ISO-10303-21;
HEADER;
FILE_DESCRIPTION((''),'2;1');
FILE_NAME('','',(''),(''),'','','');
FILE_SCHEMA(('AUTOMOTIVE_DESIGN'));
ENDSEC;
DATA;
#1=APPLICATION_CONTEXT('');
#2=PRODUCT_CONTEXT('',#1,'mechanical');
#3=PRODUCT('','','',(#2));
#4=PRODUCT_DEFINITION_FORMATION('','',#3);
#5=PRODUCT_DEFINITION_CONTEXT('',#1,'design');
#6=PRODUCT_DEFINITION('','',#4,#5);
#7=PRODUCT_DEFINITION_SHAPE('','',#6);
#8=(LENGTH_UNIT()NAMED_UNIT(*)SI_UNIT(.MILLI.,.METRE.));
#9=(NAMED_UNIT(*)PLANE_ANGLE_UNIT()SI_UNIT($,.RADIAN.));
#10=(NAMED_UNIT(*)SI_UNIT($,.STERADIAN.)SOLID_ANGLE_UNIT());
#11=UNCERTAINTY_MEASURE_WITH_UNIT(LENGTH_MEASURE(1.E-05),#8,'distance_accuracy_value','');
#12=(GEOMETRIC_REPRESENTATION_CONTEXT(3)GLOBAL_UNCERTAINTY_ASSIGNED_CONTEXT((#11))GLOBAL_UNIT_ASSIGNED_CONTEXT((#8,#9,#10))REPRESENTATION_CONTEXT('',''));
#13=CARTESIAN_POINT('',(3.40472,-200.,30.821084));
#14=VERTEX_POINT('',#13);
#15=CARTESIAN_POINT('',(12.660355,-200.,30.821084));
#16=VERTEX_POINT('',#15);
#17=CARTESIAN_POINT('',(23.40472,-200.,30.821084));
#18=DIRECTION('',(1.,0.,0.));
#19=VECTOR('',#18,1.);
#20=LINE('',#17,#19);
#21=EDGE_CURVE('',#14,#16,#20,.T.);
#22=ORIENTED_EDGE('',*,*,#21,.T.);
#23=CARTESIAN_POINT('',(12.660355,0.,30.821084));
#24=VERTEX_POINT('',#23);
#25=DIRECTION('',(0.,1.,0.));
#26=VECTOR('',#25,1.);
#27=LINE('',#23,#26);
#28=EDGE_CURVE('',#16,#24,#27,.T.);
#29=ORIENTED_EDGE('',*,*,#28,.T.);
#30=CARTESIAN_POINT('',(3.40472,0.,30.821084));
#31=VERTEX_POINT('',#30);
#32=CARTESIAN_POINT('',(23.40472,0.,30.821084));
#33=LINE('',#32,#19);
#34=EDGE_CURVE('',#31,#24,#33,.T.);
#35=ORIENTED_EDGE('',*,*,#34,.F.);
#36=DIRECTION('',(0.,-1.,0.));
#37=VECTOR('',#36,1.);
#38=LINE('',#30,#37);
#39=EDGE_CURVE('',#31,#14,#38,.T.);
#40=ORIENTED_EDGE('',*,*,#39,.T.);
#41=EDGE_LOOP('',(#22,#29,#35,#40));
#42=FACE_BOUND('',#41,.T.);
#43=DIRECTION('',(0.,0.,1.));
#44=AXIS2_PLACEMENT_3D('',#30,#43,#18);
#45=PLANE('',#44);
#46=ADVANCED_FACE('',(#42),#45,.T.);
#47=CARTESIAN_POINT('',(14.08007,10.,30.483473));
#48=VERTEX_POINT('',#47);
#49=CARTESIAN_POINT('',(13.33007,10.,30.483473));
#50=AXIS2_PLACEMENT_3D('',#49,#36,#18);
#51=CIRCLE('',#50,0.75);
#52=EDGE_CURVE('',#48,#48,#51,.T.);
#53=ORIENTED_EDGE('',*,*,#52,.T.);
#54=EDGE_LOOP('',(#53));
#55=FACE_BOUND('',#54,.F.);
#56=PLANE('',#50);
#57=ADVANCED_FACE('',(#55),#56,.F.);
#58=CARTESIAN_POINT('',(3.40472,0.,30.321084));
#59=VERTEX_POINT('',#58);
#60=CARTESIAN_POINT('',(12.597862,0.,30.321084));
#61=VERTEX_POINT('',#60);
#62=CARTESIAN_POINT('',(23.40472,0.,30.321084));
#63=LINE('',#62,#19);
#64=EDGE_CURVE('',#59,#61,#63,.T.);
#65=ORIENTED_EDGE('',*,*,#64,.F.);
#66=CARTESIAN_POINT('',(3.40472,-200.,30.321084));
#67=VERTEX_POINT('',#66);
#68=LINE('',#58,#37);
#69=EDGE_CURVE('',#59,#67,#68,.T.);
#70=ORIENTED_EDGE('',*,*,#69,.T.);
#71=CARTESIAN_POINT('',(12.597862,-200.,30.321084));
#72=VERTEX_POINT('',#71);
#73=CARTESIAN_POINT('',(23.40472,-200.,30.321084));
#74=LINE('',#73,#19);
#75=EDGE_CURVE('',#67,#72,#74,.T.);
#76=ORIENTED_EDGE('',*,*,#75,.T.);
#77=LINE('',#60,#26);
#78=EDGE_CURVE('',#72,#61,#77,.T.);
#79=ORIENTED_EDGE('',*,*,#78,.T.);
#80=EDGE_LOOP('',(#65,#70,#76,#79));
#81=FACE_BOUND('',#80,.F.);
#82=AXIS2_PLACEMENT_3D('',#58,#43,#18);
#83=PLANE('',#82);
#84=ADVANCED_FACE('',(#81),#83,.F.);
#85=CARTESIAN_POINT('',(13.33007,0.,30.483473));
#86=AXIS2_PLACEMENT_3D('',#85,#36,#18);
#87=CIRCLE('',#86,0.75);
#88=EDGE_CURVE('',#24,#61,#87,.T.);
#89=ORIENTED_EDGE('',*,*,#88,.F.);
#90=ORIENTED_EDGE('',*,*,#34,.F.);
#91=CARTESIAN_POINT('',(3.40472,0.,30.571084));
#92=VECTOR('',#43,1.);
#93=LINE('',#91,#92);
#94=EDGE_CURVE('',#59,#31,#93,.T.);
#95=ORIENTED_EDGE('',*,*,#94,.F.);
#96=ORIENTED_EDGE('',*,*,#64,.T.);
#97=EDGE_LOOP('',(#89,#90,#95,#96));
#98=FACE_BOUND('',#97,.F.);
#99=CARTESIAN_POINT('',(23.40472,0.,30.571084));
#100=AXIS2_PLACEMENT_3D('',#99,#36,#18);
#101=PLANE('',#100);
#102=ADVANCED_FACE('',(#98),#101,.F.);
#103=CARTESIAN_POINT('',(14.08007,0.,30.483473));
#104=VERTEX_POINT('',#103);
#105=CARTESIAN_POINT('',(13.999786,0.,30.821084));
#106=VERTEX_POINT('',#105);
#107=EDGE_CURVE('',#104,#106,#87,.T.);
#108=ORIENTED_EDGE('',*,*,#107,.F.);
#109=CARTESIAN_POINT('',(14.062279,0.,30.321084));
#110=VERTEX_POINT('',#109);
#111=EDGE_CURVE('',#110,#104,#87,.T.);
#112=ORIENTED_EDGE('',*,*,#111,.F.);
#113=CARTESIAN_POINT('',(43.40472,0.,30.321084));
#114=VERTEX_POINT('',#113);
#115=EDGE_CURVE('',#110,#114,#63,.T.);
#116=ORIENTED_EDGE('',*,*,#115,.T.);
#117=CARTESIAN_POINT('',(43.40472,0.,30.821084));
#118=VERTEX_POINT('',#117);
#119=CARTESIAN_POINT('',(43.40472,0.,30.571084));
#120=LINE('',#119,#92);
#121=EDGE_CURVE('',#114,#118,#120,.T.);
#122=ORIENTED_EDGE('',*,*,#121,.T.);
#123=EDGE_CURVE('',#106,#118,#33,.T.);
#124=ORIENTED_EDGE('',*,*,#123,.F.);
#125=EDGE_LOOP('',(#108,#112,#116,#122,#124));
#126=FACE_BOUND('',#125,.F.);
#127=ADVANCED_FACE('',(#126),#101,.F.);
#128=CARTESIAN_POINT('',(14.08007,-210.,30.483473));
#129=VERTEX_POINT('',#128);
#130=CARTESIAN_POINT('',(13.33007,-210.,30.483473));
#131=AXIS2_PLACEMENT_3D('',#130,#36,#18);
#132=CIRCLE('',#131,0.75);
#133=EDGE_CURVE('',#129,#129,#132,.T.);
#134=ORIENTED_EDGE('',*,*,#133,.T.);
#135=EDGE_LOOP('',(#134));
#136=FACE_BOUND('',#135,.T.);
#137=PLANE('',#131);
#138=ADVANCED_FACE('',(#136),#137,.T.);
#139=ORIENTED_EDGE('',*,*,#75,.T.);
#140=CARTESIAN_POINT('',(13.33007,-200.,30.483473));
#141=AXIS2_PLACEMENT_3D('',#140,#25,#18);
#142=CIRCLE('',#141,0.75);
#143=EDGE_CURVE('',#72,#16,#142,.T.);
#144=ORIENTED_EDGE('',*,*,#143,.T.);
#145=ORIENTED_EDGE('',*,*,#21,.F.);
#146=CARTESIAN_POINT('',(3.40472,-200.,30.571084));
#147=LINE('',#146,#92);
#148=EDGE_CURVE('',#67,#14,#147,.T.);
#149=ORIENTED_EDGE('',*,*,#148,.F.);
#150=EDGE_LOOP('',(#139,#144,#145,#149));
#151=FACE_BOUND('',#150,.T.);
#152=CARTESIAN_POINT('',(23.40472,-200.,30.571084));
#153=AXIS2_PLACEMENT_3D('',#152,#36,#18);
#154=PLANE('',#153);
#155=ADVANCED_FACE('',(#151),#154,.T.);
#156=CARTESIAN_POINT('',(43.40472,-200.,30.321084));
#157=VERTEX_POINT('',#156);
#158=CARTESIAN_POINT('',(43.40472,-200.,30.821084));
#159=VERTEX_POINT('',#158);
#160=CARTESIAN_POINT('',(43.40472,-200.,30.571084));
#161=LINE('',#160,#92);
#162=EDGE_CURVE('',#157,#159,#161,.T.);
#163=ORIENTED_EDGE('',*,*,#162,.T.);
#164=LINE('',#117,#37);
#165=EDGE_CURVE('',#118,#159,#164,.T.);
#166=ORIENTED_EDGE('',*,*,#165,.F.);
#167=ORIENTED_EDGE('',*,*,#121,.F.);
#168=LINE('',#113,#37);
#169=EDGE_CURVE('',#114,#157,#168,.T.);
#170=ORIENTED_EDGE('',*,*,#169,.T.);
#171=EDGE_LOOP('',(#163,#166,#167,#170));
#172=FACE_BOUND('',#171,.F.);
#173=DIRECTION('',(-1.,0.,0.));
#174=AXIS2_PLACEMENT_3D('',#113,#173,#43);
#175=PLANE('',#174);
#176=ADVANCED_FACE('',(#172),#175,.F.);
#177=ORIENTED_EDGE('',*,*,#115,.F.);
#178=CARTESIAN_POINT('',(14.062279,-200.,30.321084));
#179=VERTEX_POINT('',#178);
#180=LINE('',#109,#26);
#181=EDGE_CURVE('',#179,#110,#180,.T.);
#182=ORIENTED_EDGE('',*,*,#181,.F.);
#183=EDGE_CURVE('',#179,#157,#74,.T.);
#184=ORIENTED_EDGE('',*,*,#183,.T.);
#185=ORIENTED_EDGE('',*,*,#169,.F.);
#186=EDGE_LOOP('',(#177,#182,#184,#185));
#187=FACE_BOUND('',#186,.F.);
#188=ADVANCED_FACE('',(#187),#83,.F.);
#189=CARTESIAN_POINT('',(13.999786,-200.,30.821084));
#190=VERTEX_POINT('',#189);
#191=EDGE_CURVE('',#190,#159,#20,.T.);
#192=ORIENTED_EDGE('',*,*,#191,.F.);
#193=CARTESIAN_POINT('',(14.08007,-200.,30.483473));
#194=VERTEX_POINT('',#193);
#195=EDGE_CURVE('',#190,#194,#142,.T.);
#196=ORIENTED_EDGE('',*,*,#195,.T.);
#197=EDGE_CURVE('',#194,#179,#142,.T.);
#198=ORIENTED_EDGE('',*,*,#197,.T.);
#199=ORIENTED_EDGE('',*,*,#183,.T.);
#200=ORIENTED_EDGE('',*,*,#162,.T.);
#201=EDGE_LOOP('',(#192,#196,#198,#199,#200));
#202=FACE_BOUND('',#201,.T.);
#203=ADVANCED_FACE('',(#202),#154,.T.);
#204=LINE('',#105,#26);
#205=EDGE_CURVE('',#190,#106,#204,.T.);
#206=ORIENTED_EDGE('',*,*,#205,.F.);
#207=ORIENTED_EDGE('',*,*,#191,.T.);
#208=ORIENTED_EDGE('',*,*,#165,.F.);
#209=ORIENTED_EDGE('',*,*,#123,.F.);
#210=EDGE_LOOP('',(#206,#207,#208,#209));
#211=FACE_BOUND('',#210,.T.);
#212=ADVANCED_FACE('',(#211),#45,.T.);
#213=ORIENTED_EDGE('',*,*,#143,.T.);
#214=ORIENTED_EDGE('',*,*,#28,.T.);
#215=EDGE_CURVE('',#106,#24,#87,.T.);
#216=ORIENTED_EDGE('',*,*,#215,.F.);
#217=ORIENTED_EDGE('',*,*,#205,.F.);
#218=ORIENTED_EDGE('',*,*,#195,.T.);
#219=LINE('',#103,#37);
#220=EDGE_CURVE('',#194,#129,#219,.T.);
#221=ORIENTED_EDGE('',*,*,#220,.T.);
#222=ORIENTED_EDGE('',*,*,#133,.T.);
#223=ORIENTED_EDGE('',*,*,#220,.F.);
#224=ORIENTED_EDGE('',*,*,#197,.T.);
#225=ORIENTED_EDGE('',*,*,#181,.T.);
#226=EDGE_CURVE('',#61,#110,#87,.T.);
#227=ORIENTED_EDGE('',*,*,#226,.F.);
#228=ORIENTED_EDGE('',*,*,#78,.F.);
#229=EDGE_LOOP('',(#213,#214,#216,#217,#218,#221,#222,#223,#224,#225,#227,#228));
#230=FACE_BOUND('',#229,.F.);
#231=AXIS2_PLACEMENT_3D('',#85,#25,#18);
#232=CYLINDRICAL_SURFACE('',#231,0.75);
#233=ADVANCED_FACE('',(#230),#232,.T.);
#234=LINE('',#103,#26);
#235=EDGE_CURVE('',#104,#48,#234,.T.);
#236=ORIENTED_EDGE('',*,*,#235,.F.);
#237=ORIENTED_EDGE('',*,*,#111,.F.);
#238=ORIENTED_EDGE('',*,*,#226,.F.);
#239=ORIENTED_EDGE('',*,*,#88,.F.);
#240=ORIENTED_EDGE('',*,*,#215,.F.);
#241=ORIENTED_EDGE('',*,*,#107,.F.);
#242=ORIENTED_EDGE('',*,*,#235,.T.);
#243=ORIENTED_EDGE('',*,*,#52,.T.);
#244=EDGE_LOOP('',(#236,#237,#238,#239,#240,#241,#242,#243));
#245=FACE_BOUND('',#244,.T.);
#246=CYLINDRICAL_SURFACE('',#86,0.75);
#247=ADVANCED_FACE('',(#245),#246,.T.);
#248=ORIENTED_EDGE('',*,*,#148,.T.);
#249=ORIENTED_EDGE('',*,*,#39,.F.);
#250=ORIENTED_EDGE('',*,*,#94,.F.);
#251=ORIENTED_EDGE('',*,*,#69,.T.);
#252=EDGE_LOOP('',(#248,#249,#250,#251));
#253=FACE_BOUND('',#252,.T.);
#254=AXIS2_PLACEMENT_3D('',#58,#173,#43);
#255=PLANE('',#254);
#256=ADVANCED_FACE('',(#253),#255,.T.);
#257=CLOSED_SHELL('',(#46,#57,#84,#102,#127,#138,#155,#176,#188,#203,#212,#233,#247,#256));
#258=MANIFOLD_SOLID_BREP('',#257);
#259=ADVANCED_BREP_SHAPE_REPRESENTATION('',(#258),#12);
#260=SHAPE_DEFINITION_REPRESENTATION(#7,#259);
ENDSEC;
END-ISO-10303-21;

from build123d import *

# Parameters (mm, degrees)
F0_W          = 40
F0_H          = 0.5
F2_DEPTH      = 200
F1_R          = 0.75
F3_DEPTH      = 210
F3_DEPTH_BACK = 10


with BuildPart() as f2:
    # F0 (on Front) → F2 (new body)
    with BuildSketch(Plane.XZ):
        with Locations((23.4047202393, 30.5710838038)):
            Rectangle(F0_W, F0_H)
    extrude(amount=F2_DEPTH)

    # F1 (on face) → F3 (join, two sides)
    with BuildSketch(Plane.XZ) as f3_sk:
        with Locations((13.3300703019, 30.4834730923)):
            Circle(F1_R)
    extrude(amount=F3_DEPTH)
    extrude(f3_sk.sketch, amount=-F3_DEPTH_BACK)


solid = f2.part
